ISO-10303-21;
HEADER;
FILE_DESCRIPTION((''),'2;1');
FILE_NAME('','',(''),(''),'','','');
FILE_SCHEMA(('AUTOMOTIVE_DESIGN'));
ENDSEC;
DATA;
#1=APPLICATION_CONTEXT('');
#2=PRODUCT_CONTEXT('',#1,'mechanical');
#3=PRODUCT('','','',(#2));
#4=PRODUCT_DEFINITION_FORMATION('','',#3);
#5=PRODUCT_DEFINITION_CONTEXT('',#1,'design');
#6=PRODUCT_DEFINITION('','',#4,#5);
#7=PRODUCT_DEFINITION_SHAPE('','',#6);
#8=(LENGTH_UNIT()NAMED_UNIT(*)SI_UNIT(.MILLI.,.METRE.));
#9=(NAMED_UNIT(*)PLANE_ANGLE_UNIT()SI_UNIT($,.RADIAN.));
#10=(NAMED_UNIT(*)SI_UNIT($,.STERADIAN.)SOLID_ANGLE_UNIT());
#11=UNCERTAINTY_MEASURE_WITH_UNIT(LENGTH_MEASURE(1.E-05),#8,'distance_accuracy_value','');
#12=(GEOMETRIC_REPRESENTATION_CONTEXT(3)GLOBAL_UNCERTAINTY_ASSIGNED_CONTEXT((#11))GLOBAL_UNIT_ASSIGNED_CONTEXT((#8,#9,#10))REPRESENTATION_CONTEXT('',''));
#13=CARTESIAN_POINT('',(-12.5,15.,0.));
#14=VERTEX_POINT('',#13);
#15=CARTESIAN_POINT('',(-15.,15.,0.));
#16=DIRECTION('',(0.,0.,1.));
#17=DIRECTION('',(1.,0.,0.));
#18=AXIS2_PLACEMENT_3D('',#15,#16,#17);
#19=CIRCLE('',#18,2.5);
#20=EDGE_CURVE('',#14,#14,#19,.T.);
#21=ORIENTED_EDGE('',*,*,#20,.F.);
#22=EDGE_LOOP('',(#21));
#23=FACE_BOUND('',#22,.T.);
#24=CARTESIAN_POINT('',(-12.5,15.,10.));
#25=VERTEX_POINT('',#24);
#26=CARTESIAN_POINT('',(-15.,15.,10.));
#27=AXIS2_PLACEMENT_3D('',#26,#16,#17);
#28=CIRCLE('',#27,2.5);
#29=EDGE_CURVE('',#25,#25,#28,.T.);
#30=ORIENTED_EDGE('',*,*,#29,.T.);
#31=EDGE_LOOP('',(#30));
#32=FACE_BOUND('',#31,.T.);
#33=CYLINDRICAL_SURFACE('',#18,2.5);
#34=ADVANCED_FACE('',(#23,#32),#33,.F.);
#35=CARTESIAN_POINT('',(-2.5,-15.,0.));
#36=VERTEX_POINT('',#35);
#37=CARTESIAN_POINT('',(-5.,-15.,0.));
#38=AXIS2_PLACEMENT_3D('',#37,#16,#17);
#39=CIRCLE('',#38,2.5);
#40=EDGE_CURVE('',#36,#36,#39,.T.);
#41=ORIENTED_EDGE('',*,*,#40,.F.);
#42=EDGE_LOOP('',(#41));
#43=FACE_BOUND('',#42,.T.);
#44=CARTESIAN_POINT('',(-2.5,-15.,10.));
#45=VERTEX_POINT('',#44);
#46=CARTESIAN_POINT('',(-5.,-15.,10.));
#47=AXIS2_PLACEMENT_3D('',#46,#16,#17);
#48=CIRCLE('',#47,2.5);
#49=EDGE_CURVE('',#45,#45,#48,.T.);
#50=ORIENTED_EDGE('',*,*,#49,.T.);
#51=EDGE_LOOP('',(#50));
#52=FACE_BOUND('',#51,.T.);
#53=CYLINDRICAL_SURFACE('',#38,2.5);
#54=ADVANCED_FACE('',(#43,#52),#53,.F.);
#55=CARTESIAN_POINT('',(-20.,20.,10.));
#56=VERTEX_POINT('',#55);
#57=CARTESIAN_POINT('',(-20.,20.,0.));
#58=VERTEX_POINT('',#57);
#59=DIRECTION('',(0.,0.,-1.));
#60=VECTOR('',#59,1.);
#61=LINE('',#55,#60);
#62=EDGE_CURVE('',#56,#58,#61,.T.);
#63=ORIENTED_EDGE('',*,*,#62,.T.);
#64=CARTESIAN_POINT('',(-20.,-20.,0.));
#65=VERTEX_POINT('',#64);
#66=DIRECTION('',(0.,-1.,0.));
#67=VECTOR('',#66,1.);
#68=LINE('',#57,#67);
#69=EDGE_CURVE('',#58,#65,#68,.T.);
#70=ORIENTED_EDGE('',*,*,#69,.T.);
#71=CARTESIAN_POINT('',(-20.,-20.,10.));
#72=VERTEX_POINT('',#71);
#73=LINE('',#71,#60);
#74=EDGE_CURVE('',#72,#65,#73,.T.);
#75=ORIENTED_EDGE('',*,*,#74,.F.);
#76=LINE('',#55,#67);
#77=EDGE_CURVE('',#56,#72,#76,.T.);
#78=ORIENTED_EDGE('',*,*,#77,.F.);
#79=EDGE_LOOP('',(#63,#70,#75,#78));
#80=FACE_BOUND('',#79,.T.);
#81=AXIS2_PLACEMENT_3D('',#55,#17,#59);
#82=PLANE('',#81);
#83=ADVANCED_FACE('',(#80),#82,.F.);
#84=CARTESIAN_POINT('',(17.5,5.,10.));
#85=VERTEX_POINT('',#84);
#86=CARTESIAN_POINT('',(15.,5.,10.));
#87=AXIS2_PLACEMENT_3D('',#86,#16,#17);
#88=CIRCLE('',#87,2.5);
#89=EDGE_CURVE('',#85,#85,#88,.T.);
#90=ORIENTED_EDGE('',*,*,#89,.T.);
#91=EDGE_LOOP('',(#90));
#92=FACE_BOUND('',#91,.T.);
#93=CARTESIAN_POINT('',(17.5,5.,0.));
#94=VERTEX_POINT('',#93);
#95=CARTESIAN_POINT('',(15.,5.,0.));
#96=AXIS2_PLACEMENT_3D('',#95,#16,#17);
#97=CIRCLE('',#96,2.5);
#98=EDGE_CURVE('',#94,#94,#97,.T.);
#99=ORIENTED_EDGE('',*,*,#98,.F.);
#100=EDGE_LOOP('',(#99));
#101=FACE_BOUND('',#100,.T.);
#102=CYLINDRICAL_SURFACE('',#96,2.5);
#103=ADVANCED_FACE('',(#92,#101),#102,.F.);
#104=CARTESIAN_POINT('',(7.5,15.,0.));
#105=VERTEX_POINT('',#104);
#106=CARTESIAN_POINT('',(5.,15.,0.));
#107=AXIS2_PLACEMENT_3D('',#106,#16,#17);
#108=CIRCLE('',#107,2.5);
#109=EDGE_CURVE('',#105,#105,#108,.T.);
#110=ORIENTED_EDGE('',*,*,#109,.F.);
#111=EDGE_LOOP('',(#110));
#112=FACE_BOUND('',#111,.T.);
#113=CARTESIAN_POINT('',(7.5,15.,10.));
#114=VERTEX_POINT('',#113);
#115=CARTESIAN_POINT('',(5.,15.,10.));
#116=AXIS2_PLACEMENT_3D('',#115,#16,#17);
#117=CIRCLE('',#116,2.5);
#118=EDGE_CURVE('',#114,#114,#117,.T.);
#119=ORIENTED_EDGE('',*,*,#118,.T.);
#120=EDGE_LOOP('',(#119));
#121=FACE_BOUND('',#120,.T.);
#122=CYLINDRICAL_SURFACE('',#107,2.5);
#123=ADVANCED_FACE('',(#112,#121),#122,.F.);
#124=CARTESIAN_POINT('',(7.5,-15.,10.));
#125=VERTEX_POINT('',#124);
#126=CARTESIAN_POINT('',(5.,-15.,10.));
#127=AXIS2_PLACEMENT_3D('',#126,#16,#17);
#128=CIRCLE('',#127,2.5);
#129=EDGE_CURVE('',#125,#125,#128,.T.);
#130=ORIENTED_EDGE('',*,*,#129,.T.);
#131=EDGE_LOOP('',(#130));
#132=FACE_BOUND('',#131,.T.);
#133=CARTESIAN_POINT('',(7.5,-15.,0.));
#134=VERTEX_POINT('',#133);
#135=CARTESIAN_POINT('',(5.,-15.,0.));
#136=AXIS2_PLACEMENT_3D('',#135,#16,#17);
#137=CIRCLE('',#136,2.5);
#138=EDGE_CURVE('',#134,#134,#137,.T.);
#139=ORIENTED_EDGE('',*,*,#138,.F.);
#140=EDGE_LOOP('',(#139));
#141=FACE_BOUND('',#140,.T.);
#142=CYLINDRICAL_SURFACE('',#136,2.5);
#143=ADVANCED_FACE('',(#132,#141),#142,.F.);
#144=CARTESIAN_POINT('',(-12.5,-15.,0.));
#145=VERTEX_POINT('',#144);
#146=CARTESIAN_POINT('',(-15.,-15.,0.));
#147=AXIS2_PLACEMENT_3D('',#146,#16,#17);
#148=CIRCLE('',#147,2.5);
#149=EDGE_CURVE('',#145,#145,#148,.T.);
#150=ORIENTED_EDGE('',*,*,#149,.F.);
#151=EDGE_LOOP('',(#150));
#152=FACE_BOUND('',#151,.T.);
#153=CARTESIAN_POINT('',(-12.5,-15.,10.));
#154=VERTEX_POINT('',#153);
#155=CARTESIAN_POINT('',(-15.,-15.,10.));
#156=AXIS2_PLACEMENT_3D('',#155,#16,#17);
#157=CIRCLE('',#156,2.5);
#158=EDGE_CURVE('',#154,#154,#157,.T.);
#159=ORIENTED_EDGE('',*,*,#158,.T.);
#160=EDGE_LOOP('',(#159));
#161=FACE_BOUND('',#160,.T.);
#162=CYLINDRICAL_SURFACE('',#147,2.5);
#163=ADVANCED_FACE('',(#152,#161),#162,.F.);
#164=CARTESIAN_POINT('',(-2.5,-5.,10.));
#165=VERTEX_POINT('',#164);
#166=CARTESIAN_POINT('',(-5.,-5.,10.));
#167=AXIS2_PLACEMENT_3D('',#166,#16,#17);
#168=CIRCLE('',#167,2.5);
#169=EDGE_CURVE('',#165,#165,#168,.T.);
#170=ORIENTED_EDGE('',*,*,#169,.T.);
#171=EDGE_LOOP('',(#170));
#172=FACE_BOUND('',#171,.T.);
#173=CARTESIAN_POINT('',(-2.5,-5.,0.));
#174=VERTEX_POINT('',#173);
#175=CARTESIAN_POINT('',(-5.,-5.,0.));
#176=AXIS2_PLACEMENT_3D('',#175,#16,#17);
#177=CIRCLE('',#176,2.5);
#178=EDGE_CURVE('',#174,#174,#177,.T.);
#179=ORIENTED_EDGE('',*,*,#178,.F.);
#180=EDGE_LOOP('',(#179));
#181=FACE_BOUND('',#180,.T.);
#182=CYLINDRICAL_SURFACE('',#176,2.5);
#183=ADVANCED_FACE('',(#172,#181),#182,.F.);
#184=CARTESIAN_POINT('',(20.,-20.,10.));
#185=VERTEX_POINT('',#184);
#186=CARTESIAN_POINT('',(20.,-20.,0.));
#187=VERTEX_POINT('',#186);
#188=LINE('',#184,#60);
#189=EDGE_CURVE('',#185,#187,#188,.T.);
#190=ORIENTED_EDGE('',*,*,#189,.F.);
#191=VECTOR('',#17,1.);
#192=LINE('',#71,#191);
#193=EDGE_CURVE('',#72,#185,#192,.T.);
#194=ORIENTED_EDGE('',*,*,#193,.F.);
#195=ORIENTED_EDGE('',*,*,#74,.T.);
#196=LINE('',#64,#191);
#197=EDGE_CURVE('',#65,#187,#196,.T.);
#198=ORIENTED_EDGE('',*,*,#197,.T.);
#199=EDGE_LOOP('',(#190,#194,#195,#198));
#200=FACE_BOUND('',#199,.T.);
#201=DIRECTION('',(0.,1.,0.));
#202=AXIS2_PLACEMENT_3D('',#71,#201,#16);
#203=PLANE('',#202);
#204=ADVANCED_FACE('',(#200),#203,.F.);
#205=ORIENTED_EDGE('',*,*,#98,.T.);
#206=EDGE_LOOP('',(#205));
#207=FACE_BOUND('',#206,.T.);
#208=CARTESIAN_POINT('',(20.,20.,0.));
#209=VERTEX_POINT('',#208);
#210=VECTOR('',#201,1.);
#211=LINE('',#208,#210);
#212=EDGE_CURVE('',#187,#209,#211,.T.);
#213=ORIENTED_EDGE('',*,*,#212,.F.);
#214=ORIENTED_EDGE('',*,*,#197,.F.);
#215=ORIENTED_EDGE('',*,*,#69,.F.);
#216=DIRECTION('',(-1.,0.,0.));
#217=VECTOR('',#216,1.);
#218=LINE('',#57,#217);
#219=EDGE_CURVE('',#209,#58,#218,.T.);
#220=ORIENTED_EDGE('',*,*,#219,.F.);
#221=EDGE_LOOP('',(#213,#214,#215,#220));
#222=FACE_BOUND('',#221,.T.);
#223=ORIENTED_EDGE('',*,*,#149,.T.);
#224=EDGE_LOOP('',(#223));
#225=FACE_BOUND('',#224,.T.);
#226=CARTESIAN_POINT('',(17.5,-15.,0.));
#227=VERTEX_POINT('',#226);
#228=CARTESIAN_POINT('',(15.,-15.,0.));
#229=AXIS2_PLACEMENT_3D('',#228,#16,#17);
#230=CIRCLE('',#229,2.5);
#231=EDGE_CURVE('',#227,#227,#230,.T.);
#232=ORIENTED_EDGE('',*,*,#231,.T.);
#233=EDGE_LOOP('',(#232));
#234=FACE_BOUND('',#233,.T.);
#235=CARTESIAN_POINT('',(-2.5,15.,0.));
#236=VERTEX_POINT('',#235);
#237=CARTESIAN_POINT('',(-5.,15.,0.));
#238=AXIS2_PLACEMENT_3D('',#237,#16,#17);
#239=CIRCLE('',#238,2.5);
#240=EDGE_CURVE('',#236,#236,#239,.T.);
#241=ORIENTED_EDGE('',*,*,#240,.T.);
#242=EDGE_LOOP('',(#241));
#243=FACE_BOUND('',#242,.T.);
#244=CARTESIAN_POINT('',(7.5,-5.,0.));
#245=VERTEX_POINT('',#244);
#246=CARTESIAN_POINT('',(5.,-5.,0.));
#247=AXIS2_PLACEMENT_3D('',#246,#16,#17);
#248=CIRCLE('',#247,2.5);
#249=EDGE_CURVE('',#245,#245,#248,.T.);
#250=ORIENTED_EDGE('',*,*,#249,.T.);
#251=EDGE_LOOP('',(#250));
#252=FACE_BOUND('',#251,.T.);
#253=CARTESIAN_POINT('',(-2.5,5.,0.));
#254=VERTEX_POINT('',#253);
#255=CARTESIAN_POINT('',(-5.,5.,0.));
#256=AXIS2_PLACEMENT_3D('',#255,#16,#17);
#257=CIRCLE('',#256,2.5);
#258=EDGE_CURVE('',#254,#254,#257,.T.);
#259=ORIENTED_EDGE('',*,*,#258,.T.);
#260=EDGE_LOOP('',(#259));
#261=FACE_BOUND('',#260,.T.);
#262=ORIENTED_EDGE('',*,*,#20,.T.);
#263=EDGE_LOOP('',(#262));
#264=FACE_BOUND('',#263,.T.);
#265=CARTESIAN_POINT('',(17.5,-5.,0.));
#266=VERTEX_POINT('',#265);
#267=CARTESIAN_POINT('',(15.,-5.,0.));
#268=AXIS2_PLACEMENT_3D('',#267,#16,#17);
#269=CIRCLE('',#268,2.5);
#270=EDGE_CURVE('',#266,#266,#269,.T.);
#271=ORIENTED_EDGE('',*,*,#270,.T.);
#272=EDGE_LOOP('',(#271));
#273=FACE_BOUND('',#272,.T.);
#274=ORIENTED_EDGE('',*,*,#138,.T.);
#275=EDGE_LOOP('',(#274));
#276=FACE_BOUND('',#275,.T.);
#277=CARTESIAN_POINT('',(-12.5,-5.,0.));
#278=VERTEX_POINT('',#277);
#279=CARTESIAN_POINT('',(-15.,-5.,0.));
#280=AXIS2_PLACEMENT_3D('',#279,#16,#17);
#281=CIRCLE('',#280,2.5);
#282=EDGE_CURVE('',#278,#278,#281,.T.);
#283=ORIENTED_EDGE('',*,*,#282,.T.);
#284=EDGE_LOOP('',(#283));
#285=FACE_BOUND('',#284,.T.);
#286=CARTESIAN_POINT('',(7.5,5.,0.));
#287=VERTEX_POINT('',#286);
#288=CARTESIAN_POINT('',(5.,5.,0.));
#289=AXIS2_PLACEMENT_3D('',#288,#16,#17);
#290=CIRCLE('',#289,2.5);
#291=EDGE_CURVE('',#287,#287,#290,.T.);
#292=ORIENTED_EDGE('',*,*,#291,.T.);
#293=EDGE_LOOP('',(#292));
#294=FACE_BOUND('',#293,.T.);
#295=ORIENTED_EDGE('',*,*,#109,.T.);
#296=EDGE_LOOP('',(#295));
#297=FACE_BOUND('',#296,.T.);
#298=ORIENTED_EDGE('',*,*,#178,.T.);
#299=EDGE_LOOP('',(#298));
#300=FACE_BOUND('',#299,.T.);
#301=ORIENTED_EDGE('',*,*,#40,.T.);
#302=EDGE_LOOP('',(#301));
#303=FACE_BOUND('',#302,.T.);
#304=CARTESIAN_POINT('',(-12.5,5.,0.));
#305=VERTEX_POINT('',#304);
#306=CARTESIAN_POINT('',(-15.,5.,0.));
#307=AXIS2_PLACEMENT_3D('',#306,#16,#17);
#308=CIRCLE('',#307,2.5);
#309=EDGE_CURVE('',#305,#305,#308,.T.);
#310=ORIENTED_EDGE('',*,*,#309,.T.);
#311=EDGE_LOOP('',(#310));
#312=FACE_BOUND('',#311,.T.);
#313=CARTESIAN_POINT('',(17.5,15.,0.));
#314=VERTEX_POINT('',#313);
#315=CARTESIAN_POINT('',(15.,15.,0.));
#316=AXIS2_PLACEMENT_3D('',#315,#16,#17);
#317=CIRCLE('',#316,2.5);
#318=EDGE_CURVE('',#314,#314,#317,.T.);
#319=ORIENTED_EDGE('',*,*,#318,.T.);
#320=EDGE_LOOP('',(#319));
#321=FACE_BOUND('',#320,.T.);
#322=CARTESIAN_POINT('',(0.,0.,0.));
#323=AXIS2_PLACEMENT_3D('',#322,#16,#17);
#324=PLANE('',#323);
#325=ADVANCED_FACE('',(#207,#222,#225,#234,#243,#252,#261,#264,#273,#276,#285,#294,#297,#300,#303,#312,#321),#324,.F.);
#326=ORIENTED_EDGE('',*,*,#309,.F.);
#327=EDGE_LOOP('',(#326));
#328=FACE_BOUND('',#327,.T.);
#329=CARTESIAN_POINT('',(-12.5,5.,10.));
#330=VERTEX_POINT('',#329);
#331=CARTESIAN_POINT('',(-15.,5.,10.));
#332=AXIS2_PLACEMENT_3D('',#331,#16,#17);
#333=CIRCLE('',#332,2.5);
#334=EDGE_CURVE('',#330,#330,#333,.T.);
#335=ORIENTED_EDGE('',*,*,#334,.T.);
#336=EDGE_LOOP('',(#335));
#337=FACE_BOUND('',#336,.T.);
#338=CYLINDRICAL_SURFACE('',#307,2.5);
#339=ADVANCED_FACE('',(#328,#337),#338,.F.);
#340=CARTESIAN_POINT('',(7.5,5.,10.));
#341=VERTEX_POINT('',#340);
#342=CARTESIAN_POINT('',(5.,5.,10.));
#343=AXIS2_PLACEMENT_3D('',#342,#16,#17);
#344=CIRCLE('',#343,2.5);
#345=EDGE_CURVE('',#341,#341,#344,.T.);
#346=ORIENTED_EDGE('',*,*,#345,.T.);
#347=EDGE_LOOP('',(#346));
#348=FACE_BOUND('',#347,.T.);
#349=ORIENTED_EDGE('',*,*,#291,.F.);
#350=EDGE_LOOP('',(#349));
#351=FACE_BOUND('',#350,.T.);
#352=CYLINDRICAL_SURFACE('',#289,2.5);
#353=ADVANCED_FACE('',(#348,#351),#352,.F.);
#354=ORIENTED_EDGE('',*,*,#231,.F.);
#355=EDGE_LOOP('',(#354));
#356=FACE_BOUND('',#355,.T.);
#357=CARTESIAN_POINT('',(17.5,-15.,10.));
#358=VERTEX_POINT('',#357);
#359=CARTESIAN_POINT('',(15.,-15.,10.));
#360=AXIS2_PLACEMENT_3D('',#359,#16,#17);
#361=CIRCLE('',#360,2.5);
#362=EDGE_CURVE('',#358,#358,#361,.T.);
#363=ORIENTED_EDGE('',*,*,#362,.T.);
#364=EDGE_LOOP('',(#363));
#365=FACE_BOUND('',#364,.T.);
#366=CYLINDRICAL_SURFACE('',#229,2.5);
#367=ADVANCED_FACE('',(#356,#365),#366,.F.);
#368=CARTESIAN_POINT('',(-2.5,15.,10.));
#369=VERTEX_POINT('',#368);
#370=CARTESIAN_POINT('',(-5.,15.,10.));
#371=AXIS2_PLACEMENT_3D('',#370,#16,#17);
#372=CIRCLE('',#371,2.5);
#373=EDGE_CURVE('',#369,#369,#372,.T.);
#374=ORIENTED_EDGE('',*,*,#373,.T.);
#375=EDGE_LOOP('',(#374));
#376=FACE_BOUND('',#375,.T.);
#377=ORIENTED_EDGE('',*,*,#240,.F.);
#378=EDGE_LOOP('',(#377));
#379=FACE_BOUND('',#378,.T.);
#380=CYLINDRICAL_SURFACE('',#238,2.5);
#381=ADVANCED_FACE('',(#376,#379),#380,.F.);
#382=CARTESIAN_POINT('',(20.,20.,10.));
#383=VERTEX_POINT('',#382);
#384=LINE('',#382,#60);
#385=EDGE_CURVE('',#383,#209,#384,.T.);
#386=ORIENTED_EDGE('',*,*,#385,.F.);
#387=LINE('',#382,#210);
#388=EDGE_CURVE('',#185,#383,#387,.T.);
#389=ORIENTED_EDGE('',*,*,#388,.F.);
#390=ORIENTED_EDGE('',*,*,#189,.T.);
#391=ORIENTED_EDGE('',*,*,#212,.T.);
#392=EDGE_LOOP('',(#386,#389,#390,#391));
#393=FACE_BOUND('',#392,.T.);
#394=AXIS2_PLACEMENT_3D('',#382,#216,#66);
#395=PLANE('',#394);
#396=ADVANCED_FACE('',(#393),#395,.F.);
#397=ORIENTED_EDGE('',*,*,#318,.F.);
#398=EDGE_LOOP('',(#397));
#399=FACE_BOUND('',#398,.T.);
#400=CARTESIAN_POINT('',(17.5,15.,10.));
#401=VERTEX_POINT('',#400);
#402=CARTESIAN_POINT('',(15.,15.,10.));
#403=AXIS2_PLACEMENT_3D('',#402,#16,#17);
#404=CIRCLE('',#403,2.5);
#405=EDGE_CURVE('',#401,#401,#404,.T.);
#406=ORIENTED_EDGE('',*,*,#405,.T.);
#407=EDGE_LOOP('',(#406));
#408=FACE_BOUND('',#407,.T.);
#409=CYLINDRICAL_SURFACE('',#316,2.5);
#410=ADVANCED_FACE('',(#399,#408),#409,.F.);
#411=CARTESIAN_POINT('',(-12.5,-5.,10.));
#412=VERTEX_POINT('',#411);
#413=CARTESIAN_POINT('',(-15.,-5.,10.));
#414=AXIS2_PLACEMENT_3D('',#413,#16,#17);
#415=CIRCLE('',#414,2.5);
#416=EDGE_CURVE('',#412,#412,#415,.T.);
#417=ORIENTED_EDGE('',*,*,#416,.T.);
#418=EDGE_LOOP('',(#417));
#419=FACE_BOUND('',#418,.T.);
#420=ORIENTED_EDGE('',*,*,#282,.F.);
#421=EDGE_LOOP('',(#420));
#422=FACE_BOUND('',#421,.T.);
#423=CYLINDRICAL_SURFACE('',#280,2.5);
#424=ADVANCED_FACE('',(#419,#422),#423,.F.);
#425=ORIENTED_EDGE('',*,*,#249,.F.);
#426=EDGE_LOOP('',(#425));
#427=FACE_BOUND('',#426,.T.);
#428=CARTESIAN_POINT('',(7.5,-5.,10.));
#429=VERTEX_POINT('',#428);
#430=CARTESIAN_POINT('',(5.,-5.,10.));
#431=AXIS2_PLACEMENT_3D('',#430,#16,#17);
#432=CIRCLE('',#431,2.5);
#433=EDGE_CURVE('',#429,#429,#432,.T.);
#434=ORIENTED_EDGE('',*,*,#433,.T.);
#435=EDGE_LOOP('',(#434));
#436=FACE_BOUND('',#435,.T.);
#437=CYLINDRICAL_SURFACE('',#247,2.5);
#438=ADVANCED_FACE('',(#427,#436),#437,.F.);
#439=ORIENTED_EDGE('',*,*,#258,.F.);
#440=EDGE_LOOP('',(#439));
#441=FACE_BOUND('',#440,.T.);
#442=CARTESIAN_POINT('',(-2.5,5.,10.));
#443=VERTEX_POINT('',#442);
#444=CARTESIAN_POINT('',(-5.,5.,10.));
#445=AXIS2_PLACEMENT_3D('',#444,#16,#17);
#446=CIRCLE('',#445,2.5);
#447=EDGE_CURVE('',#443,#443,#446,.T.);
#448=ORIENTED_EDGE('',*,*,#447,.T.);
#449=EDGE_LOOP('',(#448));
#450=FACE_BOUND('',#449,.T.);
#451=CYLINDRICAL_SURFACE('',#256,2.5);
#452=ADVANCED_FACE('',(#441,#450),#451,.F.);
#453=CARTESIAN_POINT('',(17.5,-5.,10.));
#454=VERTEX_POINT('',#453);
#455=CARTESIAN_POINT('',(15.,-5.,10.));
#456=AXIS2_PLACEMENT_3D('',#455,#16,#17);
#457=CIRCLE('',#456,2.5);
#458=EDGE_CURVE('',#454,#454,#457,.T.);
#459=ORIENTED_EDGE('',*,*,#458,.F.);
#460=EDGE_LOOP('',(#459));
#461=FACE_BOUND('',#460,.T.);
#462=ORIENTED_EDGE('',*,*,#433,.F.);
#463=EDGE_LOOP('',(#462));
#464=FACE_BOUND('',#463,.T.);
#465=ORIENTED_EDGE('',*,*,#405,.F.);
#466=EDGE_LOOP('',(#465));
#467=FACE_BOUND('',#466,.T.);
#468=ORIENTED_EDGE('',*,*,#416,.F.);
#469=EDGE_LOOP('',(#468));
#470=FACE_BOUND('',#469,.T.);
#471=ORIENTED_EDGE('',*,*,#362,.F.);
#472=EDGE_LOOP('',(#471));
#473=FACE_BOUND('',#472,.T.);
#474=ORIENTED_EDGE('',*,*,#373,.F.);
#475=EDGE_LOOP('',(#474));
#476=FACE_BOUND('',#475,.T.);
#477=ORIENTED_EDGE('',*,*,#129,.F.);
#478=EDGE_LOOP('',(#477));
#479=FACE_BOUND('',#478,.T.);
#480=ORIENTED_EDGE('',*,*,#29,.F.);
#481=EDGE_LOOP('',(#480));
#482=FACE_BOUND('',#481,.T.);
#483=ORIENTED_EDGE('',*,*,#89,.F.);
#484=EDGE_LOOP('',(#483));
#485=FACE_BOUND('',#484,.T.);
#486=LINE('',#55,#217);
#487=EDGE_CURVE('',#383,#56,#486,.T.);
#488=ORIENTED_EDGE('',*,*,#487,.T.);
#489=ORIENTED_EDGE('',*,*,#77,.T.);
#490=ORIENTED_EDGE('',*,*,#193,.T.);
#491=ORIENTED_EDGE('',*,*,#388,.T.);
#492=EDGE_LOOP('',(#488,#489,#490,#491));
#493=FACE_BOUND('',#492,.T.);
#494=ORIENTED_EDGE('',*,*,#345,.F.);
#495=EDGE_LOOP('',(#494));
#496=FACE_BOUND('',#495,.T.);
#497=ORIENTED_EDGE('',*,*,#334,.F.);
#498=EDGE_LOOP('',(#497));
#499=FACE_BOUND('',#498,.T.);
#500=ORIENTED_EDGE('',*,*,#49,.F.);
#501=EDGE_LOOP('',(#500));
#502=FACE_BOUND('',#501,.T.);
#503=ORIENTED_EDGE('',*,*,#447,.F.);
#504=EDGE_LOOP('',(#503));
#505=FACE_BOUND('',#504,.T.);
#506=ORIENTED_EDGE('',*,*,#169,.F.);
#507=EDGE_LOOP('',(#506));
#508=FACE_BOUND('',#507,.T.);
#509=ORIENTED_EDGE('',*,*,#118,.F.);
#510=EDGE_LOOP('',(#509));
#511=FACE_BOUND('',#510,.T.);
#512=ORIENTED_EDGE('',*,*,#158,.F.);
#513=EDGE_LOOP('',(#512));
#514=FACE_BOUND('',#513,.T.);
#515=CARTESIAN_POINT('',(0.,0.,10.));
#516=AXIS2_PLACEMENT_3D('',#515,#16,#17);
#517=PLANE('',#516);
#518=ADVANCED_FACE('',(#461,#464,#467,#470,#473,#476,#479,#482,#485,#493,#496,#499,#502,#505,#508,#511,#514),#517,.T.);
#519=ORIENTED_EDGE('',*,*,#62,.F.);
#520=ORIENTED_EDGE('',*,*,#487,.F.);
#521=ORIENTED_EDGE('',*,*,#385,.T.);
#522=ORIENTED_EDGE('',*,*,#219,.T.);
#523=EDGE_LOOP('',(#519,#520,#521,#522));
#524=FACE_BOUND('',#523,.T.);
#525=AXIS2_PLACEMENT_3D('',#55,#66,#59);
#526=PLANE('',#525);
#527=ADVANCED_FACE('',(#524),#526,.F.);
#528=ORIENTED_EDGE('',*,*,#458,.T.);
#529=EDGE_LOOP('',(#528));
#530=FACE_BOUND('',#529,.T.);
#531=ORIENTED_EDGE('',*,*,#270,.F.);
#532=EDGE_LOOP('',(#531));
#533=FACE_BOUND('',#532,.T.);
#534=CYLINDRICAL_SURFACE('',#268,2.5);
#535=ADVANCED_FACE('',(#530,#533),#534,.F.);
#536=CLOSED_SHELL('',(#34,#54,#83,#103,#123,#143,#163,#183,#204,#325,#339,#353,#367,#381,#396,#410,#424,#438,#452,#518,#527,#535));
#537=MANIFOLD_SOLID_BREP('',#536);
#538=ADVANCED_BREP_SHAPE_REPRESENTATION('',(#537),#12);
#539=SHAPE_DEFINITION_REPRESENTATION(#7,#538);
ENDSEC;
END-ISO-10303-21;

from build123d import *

# Parameters (mm, degrees)
SKETCH1_W            = 40
SKETCH1_H            = 40
BOSS_EXTRUDE1_DEPTH  = 10
SKETCH3_R            = 2.5
CUT_EXTRUDE1_DEPTH   = 11
LPATTERN1_COUNT      = 4
LPATTERN1_PITCH      = 10
LPATTERN1_COUNT_DIR2 = 4
LPATTERN1_PITCH_DIR2 = 10


with BuildPart() as part:
    # Sketch1 → Boss-Extrude1 (new body)
    with BuildSketch(Plane.XY):
        Rectangle(SKETCH1_W, SKETCH1_H)
    extrude(amount=BOSS_EXTRUDE1_DEPTH)

    # Sketch3 → Cut-Extrude1 (cut, through all)
    with BuildSketch(Plane.XY.offset(10)):
        with Locations((15, 15)):
            Circle(SKETCH3_R)
    cut_extrude1 = extrude(amount=-CUT_EXTRUDE1_DEPTH, mode=Mode.SUBTRACT)

    # LPattern1: Cut-Extrude1 4 × 4
    with Locations(*[(-i * LPATTERN1_PITCH, -j * LPATTERN1_PITCH_DIR2, 0) for i in range(LPATTERN1_COUNT) for j in range(LPATTERN1_COUNT_DIR2) if (i, j) != (0, 0)]):
        add(cut_extrude1, mode=Mode.SUBTRACT)


solid = part.part
